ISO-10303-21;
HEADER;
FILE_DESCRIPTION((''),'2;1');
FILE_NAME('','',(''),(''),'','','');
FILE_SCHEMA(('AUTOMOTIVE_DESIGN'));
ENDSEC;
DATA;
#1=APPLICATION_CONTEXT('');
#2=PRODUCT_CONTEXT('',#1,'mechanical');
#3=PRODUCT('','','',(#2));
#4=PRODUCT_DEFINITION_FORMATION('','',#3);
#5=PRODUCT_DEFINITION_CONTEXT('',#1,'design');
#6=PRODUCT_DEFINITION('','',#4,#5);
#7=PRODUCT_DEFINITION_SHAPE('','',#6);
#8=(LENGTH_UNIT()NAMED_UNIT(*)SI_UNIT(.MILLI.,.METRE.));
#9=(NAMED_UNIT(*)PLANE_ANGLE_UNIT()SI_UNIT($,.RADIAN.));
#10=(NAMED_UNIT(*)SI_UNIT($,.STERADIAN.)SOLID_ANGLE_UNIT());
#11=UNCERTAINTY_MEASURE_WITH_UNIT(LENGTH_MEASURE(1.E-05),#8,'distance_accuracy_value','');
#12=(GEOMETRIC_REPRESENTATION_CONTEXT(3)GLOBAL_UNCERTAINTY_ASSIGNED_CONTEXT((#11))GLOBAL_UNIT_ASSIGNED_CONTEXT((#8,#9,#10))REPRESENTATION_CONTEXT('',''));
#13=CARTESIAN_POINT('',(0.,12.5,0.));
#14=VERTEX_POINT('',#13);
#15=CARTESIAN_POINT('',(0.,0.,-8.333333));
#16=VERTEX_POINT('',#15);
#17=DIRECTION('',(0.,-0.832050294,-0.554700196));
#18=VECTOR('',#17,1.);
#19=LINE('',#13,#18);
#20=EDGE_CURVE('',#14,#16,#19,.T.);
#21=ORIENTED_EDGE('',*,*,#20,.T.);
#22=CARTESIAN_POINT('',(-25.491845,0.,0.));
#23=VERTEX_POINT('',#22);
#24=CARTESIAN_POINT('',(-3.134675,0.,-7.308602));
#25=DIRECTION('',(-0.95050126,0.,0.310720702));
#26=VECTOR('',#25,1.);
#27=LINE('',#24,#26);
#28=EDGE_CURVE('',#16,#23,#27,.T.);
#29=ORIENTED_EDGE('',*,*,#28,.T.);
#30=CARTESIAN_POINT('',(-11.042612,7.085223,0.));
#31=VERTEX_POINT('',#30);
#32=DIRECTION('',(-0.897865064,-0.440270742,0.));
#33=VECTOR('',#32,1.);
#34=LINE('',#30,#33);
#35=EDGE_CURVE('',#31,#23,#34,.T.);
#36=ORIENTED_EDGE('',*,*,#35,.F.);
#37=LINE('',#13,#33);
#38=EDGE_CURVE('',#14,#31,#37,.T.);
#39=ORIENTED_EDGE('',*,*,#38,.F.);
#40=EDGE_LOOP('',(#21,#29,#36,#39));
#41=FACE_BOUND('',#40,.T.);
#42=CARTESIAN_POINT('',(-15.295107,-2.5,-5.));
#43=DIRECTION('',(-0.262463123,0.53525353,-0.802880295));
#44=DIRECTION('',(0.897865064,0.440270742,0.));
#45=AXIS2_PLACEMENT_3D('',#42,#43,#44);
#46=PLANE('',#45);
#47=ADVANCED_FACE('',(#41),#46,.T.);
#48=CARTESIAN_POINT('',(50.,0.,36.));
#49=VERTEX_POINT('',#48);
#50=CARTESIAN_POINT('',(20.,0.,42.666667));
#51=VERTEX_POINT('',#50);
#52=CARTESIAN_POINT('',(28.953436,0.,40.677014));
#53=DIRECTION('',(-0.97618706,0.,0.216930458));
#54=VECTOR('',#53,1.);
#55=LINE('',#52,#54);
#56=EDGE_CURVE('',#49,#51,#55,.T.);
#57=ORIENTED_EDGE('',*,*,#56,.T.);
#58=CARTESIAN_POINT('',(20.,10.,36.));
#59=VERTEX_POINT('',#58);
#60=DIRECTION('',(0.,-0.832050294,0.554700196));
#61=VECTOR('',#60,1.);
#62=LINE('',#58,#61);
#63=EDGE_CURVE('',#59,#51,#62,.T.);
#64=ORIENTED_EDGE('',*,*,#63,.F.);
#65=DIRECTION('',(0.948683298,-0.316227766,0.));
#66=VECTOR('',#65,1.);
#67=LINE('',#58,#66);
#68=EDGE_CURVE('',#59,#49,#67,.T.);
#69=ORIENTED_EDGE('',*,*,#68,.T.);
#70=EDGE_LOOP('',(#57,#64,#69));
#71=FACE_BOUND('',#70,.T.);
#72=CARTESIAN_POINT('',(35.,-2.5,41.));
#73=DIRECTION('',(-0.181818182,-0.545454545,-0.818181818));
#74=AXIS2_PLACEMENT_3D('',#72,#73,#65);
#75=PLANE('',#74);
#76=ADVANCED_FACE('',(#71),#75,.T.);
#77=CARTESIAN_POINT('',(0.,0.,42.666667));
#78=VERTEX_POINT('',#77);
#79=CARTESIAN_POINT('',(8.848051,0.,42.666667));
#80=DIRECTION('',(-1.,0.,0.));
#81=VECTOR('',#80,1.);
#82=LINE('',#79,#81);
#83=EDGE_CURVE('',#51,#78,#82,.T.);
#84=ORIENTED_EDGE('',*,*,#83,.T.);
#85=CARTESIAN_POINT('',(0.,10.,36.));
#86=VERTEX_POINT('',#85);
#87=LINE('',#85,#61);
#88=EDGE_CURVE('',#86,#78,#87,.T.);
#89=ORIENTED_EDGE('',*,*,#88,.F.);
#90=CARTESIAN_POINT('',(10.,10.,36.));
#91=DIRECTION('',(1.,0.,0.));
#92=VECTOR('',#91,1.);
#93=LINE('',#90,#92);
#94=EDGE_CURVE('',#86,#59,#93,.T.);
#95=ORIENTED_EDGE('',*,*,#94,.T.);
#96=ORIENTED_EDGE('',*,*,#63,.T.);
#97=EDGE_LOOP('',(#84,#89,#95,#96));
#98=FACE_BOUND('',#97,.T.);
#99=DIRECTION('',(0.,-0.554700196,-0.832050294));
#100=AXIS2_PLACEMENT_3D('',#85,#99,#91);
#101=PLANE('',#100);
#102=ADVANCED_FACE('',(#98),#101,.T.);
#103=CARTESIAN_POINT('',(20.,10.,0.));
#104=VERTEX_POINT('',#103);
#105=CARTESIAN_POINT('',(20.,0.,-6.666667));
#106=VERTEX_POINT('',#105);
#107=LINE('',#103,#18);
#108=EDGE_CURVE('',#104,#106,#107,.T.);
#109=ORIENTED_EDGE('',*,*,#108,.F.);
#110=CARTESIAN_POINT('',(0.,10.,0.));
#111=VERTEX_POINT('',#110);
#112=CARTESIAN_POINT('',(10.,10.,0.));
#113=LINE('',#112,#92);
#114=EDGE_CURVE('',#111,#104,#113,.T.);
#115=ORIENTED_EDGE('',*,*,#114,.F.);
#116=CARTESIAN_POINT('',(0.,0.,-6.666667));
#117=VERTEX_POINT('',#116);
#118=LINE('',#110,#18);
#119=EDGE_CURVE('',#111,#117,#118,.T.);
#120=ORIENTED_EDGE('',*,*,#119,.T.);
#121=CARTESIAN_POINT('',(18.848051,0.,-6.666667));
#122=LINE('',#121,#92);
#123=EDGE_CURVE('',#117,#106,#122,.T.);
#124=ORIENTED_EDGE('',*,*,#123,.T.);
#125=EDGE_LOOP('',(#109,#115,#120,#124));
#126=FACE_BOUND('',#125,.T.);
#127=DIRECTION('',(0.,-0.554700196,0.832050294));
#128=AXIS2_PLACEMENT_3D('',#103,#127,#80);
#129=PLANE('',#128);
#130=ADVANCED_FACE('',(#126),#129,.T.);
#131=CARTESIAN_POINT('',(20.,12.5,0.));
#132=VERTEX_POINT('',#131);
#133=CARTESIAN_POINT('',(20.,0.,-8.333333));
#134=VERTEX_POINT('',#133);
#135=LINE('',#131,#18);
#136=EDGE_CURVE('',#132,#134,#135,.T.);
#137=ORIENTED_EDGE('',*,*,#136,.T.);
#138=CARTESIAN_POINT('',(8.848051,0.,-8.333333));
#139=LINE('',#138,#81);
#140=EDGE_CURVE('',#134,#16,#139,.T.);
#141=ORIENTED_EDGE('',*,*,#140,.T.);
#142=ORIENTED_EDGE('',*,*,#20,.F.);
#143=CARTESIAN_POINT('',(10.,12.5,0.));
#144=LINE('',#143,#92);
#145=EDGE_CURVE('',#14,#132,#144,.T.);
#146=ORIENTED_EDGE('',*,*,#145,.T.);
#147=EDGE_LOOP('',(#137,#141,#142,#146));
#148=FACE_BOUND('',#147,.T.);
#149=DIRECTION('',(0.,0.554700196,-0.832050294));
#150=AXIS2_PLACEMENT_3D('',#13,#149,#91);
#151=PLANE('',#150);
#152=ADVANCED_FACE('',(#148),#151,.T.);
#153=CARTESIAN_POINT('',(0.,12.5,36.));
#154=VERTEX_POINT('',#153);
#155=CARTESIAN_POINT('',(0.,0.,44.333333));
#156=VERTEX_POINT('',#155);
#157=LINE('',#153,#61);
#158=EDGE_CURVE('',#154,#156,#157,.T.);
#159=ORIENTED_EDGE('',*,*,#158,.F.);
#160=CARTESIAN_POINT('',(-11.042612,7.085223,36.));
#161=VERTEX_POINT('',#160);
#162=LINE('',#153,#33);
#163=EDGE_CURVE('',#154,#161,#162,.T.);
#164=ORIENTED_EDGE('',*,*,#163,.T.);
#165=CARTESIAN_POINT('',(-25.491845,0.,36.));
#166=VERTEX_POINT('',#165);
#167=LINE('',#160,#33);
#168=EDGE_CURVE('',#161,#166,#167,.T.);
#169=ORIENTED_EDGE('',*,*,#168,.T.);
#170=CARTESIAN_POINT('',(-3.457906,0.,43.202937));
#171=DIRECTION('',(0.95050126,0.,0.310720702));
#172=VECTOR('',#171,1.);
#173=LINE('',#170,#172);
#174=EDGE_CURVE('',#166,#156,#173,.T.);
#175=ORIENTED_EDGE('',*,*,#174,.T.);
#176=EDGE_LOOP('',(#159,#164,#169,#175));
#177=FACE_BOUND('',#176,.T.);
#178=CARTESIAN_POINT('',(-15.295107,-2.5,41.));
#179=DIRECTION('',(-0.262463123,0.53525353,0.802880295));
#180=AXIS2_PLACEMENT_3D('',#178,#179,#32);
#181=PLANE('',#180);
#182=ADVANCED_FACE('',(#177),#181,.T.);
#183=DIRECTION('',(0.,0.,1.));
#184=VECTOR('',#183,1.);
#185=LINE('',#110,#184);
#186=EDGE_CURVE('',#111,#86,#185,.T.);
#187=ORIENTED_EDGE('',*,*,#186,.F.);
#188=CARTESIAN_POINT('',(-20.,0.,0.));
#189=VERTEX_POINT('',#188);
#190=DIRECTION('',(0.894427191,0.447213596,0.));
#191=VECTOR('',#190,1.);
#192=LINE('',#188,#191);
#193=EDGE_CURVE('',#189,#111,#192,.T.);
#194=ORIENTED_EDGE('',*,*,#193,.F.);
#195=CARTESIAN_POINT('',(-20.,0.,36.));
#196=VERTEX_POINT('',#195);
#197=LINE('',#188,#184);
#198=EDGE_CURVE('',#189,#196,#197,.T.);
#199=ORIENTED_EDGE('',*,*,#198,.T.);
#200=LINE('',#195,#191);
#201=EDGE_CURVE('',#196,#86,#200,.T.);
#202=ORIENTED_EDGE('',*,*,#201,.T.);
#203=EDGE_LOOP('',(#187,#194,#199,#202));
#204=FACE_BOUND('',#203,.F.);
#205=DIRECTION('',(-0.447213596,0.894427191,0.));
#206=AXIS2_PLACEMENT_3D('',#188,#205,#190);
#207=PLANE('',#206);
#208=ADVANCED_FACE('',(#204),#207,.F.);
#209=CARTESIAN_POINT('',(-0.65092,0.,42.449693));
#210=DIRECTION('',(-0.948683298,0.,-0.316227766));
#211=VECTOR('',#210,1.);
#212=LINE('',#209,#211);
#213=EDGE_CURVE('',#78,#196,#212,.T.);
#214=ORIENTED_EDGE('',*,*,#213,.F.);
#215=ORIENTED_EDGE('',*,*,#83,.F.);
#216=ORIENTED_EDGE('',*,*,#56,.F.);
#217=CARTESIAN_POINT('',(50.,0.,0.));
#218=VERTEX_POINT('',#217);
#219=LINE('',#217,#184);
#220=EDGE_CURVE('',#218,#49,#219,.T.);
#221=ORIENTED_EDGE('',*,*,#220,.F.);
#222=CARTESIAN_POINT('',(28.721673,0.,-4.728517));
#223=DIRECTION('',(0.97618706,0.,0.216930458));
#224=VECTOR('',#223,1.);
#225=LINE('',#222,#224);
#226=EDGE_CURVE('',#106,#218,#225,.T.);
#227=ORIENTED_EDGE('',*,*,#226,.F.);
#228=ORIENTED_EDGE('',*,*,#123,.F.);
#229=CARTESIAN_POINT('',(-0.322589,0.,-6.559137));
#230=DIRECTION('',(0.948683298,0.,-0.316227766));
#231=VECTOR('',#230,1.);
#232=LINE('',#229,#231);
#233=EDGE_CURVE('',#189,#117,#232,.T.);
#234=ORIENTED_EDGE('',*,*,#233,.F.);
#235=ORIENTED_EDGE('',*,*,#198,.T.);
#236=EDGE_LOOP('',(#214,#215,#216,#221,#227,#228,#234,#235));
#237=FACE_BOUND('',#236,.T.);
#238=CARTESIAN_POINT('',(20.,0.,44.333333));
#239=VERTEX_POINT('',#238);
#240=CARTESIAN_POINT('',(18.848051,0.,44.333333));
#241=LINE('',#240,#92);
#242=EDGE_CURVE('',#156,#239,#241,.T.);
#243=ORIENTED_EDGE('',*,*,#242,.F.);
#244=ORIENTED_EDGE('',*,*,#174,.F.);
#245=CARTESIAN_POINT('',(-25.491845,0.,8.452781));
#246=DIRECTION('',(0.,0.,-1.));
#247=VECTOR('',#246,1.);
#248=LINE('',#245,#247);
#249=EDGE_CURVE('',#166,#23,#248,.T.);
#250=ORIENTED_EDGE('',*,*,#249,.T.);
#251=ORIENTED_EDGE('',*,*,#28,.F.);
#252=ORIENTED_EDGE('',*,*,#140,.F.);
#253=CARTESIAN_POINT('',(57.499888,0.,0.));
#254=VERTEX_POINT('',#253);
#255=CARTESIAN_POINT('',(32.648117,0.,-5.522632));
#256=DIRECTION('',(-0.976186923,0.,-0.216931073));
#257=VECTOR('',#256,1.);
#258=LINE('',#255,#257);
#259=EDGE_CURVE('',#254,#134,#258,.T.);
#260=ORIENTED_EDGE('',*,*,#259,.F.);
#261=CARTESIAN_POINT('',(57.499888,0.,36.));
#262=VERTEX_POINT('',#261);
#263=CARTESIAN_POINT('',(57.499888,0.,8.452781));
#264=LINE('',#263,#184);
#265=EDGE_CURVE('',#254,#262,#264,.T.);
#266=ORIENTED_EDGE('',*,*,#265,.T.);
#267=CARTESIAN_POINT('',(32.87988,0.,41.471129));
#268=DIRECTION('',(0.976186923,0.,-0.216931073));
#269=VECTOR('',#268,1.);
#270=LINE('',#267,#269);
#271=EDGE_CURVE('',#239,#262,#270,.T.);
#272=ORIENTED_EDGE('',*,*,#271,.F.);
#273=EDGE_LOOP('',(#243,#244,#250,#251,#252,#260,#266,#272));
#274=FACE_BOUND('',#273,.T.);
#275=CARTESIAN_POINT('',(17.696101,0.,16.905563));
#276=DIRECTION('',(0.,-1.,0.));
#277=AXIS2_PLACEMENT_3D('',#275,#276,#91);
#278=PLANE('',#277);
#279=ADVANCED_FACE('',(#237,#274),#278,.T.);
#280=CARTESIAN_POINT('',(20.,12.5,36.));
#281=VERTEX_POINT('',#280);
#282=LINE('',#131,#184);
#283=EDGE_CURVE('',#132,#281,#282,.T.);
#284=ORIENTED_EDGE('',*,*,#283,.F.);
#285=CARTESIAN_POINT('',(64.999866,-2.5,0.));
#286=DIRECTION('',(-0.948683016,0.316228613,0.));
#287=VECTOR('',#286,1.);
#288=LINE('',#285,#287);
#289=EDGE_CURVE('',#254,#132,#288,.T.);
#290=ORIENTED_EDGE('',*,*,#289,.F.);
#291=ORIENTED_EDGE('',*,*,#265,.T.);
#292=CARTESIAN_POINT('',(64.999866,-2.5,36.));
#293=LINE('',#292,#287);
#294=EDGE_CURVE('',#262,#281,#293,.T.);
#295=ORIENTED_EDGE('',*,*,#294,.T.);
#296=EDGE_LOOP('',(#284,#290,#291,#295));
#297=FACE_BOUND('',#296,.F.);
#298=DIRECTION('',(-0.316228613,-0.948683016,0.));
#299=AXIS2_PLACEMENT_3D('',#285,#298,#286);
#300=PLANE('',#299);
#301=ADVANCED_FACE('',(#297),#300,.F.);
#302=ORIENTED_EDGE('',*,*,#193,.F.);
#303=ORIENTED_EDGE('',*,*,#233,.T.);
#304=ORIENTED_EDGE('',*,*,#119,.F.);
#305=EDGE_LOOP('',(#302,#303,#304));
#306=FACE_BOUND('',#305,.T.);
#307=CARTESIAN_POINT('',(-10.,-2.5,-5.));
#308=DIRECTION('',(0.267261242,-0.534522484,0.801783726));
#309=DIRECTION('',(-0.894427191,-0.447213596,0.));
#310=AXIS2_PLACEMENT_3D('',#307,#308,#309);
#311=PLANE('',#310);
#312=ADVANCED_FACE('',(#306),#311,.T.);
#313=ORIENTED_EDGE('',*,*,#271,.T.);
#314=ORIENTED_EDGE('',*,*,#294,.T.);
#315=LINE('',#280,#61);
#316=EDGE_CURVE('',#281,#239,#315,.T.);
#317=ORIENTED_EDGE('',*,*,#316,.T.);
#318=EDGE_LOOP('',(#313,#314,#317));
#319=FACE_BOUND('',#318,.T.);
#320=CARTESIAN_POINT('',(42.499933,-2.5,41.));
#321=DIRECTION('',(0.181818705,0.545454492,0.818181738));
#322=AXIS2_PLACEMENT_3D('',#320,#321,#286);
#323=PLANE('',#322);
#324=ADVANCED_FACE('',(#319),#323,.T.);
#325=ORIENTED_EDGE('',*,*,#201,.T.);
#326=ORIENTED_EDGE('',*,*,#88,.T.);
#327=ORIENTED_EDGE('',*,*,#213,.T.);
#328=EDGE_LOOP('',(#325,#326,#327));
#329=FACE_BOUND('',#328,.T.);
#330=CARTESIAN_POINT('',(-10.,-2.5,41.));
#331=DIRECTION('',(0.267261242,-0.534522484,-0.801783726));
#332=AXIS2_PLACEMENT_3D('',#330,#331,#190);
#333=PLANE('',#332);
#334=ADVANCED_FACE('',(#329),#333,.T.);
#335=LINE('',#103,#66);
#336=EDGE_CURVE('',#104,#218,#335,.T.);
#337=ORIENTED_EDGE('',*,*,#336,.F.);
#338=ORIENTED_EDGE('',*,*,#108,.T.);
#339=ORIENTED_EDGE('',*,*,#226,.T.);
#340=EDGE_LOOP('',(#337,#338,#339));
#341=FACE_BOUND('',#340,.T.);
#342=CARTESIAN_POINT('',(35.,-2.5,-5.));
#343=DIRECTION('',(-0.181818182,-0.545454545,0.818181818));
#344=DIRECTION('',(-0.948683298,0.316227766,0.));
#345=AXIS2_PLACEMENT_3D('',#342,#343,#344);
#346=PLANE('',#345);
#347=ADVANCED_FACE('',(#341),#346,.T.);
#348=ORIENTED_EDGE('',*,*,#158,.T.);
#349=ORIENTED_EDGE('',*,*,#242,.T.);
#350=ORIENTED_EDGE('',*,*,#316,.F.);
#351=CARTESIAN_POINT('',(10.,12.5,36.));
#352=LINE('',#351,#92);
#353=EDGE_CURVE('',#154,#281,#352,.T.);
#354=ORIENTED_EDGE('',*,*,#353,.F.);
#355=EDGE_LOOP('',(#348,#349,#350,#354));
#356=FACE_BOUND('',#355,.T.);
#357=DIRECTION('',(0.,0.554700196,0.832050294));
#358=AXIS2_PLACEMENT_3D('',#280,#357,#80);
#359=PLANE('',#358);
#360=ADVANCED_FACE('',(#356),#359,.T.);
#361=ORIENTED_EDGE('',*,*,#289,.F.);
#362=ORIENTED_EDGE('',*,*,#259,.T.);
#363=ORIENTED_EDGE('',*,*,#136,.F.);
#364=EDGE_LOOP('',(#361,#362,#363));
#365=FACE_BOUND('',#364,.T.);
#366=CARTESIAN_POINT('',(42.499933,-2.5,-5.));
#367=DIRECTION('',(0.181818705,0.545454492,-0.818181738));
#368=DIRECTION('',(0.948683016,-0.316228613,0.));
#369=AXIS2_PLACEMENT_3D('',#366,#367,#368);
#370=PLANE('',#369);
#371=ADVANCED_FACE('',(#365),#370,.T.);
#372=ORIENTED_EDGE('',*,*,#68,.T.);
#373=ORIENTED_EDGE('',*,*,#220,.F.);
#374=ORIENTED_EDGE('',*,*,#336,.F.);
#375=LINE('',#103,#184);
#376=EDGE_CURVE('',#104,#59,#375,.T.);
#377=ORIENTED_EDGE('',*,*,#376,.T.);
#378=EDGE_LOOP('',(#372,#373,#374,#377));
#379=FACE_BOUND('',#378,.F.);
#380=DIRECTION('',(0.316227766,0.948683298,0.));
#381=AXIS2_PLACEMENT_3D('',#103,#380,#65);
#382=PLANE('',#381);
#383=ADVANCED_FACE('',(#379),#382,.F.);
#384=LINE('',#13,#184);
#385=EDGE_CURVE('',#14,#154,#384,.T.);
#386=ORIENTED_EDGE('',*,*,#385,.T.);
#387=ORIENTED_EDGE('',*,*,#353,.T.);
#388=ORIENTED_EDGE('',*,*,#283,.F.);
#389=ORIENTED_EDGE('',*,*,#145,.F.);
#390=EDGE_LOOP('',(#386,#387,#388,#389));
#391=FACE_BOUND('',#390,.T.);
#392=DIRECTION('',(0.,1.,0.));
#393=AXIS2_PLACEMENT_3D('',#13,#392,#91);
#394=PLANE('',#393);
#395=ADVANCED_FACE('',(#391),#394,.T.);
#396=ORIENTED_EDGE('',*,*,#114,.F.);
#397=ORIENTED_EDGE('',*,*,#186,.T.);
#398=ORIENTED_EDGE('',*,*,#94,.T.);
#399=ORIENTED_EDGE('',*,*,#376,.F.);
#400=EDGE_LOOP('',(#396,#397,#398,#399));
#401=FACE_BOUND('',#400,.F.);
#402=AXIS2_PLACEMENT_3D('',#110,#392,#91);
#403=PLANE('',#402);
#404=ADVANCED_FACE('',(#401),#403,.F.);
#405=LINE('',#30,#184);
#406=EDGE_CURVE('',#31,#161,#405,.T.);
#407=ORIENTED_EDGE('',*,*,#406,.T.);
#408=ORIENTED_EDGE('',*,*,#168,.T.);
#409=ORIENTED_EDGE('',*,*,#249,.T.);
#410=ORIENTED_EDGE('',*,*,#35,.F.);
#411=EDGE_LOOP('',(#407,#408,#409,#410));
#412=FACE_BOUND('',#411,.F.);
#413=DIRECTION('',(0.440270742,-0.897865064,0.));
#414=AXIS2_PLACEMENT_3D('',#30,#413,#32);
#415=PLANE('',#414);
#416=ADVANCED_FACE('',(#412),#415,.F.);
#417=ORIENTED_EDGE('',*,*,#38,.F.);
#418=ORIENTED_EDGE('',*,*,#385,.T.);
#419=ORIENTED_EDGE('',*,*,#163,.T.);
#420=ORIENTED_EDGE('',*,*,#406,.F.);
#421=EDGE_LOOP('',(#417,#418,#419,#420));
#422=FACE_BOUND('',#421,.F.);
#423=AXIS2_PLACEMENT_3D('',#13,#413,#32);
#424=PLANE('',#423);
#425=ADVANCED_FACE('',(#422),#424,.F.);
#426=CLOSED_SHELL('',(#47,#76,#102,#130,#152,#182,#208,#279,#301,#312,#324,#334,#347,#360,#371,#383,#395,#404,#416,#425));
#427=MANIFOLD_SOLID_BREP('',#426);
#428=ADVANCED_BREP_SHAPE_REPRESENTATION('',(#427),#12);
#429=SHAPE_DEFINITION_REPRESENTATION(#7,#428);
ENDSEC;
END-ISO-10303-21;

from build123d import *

# Parameters (mm, degrees)
F0_W     = 20
F0_H     = 2.5
F1_DEPTH = 36
F5_W     = 108.4840968251
F5_H     = 66.9420473278
F6_DEPTH = 25


with BuildPart() as f1:
    # F0 (on Top) → F1 (new body)
    with BuildSketch(Plane.XY):
        Polygon((-11.042611652, 7.0852233041), (-10, 5), (0, 10), (0, 12.5), align=None)
        Polygon((0, 0), (-20, 0), (-10, 5), (-11.042611652, 7.0852233041), (-30.5902134255, -2.5), (0, -2.5), align=None)
        Polygon((20, 0), (0, 0), (0, -2.5), (64.9998660191, -2.5), (20, 12.5), (20, 10), (50, 0), align=None)
        with Locations((10, 11.25)):
            Rectangle(F0_W, F0_H)
    extrude(amount=F1_DEPTH)

    # F3: sweep along a path in F2
    with BuildLine(Plane.YZ) as f3_path:
        Line((12.28813377, 36), (-2.71186623, 46))
    # F1_face (on face) → F3 (sweep)
    with BuildSketch(Plane(origin=(15.9254159415, 2.5999378956, 36), x_dir=(1, 0, 0), z_dir=(0, 0, 1))):
        Polygon((-15.9254159415, 9.9000621044), (-46.515629367, -5.0999378956), (49.0744500776, -5.0999378956), (4.0745840585, 9.9000621044), align=None)
        Polygon((4.0745840585, 7.4000621044), (34.0745840585, -2.5999378956), (-35.9254159415, -2.5999378956), (-15.9254159415, 7.4000621044), align=None, mode=Mode.SUBTRACT)
    sweep(path=f3_path.line)

    # F4: sweep along a path in F2
    with BuildLine(Plane.YZ) as f4_path:
        Line((12.28813377, 0), (-2.71186623, -10))
    # F1_face1 (on face) → F4 (sweep)
    with BuildSketch(Plane(origin=(15.9254159415, 2.5999378956, 0), x_dir=(1, 0, 0), z_dir=(0, 0, -1))):
        Polygon((-46.515629367, 5.0999378956), (-15.9254159415, -9.9000621044), (4.0745840585, -9.9000621044), (49.0744500776, 5.0999378956), align=None)
        Polygon((34.0745840585, 2.5999378956), (4.0745840585, -7.4000621044), (-15.9254159415, -7.4000621044), (-35.9254159415, 2.5999378956), align=None, mode=Mode.SUBTRACT)
    sweep(path=f4_path.line)

    # F5 (on Front) → F6 (cut)
    with BuildSketch(Plane.XZ):
        with Locations((17.6961012185, 16.9055629522)):
            Rectangle(F5_W, F5_H)
    extrude(amount=F6_DEPTH, mode=Mode.SUBTRACT)


solid = f1.part
